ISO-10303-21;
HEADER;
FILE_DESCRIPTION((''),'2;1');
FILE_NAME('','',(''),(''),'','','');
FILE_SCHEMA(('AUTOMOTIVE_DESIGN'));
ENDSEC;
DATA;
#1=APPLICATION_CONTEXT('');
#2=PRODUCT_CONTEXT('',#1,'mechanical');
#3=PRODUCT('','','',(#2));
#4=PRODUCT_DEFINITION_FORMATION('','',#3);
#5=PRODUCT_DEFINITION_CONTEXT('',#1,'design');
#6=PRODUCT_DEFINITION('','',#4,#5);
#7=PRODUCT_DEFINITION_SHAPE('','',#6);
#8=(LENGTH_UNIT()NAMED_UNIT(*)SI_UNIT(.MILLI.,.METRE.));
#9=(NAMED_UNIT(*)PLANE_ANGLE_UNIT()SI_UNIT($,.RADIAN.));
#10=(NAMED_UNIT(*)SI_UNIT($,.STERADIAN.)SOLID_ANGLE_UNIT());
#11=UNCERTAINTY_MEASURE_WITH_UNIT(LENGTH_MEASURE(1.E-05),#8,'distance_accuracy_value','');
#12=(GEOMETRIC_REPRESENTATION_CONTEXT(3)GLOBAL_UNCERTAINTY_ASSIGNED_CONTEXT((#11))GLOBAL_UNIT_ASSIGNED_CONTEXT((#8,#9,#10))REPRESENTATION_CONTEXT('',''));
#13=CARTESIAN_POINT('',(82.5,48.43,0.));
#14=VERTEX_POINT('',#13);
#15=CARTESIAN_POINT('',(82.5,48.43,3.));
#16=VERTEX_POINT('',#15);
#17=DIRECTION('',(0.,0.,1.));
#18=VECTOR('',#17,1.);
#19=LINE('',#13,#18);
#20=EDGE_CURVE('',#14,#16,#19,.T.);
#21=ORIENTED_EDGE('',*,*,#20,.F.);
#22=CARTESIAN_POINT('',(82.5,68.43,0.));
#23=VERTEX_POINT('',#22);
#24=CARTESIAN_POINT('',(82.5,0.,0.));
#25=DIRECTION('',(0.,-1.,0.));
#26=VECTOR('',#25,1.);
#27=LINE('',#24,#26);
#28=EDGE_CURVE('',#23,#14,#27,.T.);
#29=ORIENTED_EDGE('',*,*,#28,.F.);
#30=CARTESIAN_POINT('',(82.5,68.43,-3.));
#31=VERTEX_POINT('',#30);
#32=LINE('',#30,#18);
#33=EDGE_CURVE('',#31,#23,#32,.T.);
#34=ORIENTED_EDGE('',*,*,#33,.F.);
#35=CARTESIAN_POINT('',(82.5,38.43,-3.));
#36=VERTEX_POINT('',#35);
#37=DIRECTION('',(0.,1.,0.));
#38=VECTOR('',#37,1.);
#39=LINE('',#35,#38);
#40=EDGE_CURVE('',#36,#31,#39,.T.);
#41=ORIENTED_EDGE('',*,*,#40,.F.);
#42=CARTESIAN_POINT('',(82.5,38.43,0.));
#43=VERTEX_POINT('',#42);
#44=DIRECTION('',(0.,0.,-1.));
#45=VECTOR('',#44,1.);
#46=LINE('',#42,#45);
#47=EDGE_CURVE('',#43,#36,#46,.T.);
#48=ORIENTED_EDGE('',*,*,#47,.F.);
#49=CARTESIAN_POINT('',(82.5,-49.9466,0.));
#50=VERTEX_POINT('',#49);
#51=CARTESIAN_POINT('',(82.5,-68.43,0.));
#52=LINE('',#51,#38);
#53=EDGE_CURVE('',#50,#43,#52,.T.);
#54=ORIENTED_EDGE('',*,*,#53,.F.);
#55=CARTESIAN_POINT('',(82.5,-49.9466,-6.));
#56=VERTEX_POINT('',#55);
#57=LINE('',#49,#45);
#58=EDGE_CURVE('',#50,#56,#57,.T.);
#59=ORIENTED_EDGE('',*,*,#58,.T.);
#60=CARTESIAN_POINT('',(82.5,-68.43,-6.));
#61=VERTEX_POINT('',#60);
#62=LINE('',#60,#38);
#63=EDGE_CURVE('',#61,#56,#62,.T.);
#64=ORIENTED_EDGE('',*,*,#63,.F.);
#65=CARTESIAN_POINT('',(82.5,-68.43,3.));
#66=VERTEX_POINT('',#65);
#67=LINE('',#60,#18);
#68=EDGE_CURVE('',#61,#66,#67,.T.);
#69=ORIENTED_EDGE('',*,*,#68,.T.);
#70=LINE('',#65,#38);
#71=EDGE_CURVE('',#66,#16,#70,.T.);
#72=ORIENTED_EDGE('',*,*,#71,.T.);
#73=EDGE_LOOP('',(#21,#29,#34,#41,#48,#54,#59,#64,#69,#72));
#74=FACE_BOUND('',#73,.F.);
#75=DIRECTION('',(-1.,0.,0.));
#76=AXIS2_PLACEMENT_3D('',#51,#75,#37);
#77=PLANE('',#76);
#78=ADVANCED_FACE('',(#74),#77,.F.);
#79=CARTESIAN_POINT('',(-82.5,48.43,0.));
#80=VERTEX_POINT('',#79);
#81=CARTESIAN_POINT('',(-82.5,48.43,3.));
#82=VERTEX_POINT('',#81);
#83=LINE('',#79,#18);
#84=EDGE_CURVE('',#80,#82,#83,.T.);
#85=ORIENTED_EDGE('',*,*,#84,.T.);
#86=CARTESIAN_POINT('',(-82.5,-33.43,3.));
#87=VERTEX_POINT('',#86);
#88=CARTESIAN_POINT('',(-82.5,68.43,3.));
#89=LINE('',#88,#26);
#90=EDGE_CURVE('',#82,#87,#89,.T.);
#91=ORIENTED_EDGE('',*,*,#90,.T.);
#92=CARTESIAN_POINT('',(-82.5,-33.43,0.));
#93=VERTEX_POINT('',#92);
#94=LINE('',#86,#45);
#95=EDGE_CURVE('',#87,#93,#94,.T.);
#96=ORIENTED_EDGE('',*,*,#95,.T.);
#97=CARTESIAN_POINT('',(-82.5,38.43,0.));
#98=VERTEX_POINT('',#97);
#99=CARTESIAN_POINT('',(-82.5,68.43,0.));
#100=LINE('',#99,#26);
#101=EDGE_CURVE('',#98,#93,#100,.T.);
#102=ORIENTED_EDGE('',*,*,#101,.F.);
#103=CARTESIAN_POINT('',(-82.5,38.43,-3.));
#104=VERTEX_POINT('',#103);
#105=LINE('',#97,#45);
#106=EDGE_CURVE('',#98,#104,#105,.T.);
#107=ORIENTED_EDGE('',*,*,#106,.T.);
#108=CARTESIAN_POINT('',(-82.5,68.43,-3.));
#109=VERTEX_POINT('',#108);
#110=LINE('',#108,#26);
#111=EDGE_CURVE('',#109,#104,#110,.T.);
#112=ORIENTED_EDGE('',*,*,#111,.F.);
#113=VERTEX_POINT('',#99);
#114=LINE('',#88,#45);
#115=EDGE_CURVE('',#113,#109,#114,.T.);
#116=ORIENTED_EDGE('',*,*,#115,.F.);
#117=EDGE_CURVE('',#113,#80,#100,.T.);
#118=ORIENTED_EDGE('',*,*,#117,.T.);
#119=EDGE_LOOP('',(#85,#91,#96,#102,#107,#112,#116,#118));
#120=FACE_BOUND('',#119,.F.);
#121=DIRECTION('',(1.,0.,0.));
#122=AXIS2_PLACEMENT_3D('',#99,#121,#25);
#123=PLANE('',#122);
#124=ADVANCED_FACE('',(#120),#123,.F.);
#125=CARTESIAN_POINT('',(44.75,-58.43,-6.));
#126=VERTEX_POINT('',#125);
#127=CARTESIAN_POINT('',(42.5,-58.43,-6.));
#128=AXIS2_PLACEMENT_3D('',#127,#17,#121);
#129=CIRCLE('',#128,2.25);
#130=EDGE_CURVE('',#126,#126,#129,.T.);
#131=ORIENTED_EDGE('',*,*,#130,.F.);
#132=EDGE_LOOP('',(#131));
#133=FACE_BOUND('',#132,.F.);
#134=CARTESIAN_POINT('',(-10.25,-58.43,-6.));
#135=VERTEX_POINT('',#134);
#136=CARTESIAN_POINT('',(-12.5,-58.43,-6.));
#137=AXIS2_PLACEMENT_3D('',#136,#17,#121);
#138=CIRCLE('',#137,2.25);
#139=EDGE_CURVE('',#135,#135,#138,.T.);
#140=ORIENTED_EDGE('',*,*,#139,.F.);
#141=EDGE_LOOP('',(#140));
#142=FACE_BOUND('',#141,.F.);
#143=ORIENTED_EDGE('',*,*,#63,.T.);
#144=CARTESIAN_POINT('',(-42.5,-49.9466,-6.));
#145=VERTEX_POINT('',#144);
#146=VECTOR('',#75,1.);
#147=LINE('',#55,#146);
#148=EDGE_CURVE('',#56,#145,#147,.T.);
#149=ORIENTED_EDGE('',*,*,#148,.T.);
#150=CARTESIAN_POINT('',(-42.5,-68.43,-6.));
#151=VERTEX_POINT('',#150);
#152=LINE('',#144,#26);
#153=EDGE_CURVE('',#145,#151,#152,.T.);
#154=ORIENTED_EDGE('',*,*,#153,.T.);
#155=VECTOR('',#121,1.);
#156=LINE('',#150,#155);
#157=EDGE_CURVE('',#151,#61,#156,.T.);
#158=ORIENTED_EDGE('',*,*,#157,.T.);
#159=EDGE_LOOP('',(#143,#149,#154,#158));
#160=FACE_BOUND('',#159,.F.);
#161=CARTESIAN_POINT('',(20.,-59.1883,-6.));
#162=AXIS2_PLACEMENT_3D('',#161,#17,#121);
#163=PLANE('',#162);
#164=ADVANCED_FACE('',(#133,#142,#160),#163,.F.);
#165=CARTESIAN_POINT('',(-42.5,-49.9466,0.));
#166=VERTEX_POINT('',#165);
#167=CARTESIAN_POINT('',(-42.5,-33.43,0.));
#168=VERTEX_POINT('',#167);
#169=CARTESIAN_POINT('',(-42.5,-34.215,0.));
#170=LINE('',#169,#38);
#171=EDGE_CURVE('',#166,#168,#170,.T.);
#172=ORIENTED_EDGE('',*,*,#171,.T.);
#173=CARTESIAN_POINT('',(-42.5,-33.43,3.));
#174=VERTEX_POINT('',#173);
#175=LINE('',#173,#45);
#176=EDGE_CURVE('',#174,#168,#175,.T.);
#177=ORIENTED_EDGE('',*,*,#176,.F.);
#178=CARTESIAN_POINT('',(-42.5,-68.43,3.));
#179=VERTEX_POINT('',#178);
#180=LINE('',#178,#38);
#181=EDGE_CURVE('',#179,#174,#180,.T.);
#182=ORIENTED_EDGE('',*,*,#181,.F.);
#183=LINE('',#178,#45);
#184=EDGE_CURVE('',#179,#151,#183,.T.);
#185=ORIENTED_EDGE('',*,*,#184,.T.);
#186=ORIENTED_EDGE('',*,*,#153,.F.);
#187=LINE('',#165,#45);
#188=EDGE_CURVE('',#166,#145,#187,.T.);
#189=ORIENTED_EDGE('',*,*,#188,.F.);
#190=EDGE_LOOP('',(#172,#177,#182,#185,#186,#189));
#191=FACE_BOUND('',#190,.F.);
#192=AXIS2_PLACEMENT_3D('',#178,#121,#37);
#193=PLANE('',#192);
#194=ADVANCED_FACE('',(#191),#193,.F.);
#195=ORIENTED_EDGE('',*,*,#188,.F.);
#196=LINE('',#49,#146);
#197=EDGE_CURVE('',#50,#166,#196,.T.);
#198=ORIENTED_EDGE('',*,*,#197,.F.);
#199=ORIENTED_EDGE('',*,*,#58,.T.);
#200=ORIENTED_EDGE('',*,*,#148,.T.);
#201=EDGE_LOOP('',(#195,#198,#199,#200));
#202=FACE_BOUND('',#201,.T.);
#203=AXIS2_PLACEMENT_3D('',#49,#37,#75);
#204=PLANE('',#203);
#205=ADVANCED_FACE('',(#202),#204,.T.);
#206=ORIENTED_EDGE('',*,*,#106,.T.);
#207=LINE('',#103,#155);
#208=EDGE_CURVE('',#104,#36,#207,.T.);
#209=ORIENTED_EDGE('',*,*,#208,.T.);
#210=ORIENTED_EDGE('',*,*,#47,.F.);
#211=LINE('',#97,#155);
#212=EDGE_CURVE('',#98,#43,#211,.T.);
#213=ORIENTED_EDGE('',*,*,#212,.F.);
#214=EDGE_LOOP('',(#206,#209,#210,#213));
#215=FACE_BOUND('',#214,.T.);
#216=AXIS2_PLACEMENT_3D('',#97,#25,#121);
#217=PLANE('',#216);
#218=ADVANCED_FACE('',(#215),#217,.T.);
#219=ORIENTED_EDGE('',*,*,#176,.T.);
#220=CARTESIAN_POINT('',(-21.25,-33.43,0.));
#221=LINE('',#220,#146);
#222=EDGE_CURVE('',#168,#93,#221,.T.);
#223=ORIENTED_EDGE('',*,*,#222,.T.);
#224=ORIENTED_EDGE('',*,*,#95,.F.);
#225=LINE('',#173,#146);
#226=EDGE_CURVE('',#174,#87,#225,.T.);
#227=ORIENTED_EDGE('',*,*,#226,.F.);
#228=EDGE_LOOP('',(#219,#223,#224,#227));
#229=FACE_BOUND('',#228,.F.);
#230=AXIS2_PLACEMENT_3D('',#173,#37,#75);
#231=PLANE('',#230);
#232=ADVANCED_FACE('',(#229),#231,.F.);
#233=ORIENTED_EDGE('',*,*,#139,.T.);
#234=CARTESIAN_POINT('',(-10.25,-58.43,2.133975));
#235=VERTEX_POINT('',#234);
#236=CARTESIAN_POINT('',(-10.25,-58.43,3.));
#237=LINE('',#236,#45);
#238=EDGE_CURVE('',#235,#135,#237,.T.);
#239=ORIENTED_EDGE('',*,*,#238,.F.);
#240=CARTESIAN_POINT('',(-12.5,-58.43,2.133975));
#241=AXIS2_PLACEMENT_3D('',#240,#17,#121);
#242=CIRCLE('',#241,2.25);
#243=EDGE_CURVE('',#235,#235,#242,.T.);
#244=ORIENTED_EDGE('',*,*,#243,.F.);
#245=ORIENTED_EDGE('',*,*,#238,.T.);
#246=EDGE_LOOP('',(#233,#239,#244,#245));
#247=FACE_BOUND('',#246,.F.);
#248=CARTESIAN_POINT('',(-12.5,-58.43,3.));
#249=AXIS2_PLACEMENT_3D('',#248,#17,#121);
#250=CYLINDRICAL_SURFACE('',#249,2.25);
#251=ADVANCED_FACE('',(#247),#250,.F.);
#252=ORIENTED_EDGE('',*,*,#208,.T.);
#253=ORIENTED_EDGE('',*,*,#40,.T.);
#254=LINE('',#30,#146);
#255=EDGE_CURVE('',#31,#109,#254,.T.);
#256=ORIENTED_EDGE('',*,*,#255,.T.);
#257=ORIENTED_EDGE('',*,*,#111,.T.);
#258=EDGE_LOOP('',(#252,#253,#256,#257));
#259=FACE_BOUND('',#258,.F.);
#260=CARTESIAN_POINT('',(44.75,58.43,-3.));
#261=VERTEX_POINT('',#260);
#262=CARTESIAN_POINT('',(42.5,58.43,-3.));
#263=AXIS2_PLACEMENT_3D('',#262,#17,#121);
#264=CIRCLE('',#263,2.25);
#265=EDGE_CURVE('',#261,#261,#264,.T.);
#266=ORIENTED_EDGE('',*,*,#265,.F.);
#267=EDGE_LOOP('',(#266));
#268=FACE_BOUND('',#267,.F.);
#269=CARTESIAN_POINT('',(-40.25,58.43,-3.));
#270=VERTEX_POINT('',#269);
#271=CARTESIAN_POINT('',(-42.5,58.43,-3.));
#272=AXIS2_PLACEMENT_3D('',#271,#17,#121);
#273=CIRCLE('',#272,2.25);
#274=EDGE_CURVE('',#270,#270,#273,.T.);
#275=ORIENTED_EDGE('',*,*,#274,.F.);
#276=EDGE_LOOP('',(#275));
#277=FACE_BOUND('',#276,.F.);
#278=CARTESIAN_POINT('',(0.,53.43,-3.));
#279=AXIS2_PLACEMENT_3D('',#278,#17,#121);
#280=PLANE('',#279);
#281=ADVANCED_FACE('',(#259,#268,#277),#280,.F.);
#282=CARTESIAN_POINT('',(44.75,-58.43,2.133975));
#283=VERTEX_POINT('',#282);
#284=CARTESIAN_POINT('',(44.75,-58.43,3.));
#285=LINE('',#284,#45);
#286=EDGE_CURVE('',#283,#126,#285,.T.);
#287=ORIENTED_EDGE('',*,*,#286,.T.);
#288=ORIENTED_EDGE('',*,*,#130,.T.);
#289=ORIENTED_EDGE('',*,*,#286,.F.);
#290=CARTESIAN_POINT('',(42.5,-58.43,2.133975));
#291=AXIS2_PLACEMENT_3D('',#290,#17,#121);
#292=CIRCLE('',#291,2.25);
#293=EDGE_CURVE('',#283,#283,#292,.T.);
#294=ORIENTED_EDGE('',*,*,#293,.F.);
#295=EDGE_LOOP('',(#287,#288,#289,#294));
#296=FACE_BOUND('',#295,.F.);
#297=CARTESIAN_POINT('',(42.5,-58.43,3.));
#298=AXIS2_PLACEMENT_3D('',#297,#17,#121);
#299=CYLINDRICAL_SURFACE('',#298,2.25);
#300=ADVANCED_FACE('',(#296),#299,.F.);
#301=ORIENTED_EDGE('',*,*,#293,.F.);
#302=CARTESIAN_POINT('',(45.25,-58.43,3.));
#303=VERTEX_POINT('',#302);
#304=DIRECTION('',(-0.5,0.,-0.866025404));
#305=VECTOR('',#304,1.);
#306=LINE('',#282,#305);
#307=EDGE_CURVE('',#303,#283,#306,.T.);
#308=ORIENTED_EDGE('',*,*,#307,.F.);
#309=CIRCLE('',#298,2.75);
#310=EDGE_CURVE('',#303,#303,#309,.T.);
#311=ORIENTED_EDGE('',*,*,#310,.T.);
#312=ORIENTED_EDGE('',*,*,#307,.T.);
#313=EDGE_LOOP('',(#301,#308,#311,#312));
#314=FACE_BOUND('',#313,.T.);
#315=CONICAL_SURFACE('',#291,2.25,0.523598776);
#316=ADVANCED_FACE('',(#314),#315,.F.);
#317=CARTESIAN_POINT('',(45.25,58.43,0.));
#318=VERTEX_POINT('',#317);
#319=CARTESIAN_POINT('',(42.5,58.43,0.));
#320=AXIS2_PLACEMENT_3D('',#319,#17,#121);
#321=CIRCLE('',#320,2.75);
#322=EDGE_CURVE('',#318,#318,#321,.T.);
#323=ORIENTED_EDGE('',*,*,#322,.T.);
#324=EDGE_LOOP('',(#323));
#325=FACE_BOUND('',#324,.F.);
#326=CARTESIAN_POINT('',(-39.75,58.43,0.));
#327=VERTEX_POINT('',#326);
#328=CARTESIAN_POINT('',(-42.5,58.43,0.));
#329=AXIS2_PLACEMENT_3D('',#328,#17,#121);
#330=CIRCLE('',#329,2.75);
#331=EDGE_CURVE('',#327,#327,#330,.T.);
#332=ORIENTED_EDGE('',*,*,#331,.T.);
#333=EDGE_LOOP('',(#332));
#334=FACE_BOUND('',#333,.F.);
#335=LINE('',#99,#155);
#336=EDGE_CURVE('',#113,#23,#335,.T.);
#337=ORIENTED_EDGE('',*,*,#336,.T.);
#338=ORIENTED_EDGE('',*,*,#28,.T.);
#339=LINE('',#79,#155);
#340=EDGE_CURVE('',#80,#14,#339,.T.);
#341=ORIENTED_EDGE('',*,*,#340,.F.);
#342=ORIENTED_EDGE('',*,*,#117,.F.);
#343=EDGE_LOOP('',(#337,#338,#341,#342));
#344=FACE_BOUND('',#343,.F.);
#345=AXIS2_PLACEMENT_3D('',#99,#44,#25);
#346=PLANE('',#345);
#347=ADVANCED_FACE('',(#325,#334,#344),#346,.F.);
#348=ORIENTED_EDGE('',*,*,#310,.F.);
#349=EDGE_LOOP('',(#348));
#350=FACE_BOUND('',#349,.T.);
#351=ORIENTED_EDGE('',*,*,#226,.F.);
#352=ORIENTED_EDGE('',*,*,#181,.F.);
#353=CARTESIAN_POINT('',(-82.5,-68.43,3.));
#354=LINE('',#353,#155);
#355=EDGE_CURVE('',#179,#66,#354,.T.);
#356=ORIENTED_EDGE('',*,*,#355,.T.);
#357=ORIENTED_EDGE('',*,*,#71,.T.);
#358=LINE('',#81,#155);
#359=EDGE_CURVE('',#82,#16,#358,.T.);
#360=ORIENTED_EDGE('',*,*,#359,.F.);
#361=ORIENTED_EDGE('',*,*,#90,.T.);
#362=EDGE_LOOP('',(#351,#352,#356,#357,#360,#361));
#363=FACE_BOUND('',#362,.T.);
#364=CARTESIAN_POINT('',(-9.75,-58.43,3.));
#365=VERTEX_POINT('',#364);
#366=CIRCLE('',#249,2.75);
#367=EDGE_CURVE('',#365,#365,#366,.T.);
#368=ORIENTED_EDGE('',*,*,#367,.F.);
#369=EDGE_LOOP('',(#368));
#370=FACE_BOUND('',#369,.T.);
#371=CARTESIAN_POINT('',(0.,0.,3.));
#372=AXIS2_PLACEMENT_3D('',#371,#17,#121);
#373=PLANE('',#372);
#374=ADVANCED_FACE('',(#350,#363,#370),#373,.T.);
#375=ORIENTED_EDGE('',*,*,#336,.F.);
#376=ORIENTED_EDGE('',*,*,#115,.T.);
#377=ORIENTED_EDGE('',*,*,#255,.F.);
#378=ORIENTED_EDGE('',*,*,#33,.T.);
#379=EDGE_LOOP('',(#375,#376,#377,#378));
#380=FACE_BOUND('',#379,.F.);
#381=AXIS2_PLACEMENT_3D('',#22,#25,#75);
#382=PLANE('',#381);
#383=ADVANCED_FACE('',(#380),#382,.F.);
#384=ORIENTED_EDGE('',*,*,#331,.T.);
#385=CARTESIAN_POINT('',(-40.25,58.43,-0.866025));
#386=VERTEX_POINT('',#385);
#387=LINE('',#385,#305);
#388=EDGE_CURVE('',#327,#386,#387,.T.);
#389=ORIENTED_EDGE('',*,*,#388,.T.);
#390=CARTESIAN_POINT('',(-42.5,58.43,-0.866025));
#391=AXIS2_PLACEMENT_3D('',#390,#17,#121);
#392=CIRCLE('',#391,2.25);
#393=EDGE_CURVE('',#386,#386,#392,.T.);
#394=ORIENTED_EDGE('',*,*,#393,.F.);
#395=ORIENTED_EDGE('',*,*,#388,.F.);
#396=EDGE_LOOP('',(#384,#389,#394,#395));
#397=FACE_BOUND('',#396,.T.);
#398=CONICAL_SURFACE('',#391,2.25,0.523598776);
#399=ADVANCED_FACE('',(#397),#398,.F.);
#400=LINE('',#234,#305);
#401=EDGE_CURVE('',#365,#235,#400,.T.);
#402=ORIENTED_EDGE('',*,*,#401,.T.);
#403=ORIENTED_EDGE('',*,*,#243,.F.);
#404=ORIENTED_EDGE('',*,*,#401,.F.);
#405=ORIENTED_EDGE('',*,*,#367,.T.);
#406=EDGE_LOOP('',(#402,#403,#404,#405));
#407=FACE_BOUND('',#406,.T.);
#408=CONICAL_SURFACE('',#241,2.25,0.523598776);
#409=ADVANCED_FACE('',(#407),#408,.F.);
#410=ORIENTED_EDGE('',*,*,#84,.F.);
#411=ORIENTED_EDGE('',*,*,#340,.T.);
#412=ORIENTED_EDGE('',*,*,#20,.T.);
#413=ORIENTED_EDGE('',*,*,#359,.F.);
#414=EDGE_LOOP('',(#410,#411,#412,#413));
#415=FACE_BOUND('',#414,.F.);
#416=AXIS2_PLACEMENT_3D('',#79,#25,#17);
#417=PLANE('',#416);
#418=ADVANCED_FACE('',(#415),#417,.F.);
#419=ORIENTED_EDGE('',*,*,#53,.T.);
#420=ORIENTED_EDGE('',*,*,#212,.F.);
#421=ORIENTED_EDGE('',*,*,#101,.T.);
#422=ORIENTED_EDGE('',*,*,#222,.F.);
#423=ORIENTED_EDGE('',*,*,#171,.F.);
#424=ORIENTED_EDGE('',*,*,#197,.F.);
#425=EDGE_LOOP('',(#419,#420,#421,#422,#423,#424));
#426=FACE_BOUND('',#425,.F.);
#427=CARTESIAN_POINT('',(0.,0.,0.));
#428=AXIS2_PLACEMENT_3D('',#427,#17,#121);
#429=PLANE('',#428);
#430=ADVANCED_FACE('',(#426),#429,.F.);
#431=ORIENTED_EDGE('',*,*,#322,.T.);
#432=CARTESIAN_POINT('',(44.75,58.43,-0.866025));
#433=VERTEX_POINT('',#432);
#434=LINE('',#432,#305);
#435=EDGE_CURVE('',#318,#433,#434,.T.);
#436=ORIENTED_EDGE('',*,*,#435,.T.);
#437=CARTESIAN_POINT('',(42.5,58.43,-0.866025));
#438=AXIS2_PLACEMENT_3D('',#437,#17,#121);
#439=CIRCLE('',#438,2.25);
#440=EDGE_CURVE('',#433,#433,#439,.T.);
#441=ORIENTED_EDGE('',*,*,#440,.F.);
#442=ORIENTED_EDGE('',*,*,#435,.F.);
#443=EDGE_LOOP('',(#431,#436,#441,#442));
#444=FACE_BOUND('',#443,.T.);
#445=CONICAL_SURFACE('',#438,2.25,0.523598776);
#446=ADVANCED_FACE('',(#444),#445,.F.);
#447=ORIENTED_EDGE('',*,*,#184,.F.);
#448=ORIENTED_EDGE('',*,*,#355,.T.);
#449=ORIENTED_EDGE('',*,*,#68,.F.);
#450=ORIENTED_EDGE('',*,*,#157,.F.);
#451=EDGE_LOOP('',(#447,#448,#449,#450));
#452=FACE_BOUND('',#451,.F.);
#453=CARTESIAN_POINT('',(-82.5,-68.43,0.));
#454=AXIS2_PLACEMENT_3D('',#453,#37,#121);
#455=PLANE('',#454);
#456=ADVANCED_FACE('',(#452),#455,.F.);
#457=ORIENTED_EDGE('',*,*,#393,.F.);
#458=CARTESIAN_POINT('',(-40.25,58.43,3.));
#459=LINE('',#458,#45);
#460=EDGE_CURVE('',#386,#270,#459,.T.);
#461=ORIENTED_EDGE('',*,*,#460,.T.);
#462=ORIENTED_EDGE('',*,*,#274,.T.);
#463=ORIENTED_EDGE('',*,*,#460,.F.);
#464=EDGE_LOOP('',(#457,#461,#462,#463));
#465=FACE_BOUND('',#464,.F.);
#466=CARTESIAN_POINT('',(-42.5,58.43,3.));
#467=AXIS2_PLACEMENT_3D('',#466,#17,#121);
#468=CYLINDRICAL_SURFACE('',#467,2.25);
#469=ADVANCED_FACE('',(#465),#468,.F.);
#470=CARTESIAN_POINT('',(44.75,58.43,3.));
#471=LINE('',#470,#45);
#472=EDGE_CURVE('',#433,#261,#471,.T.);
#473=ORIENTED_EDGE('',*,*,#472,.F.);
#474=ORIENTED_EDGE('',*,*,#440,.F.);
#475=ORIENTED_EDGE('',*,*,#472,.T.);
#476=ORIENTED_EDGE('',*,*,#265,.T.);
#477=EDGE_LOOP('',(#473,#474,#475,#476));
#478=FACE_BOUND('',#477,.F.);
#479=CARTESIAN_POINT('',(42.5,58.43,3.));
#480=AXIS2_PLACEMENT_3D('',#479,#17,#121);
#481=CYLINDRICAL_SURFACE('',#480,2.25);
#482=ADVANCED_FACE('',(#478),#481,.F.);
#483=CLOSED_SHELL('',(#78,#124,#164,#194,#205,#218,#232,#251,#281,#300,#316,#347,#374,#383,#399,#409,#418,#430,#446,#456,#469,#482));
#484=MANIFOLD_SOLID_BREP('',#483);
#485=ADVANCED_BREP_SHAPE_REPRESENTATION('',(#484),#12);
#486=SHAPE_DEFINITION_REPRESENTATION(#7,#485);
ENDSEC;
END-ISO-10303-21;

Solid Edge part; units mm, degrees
sketch "Sketch1" plane through (0, 0, 0) normal (0, 0, 1) x (1, 0, 0)
  line L0 (-82.5, -68.43) -> (82.5, -68.43)
  line L1 (82.5, -68.43) -> (82.5, 68.43)
  line L2 (82.5, 68.43) -> (-82.5, 68.43)
  line L3 (-82.5, 68.43) -> (-82.5, -68.43)
  dimension "D1" = 165
  dimension "D2" = 136.86
extrude "Extrusionsausprägung_1" add sketch "Sketch1" along normal blind 3
sketch "Sketch2" plane through (0, 0, 3) normal (0, 0, 1) x (1, 0, 0)
  line L0 (-82.5, -68.43) -> (-42.5, -68.43)
  line L1 (-42.5, -68.43) -> (-42.5, -33.43)
  line L2 (-42.5, -33.43) -> (-82.5, -33.43)
  line L3 (-82.5, -33.43) -> (-82.5, -68.43)
  dimension "D1" = 40
  dimension "D2" = 35
extrude "Cutout1" cut sketch "Sketch2" against normal through all
sketch "Sketch3" plane through (0, 0, 0) normal (0, 0, -1) x (-1, 0, 0)
  line L0 (-82.5, 68.43) -> (82.5, 68.43)
  line L1 (82.5, 68.43) -> (82.5, 38.43)
  line L2 (82.5, 38.43) -> (-82.5, 38.43)
  line L3 (-82.5, 38.43) -> (-82.5, 68.43)
  dimension "D1" = 30
  dimension "D2" = 165
extrude "Extrusionsausprägung_2" add sketch "Sketch3" along normal blind 3
sketch "Sketch4" plane through (-82.5, 17.5, 0) normal (-1, 0, 0) x (0, 1, 0)
  line L0 (50.93, 0) -> (30.93, 0)
  line L1 (30.93, 0) -> (30.93, -3)
  line L2 (30.93, -3) -> (50.93, -3)
  line L3 (50.93, -3) -> (50.93, 0)
  dimension "D1" = 20
  dimension "D2" = 3
extrude "Cutout2" cut sketch "Sketch4" against normal through all
sketch "Sketch5" plane through (0, -15, 0) normal (0, 0, -1) x (1, 0, 0)
  line L0 (-42.5, 53.43) -> (82.5, 53.43)
  line L1 (82.5, 53.43) -> (82.5, 34.9466)
  line L2 (82.5, 34.9466) -> (-42.5, 34.9466)
  line L3 (-42.5, 34.9466) -> (-42.5, 53.43)
extrude "Extrusionsausprägung_3" add sketch "Sketch5" along normal blind 6
sketch "Sketch6" plane through (0, 0, 3) normal (0, 0, 1) x (1, 0, 0)
  circle A0 centre (42.5, 58.43) radius 2.25
  circle A1 centre (42.5, -58.43) radius 2.25
  circle A2 centre (-12.5, -58.43) radius 2.25
  circle A3 centre (-42.5, 58.43) radius 2.25
  dimension "D1" = 4.5
  dimension "D2" = 85
  dimension "D3" = 40
  dimension "D4" = 10
  dimension "D5" = 55
  dimension "D6" = 10
extrude "Extrusionsausschnitt_1" cut sketch "Sketch6" against normal blind 245.2559
chamfer "Fase_1" distance 0.5 angle 60 4 edges at (-14.75, -58.43, 3) (40.25, -58.43, 3) (42.5, 56.18, 0) (-42.5, 56.18, 0) measured on face at (-56.65, -8.8314, 3)
properties material "Nylon, allgemein"
